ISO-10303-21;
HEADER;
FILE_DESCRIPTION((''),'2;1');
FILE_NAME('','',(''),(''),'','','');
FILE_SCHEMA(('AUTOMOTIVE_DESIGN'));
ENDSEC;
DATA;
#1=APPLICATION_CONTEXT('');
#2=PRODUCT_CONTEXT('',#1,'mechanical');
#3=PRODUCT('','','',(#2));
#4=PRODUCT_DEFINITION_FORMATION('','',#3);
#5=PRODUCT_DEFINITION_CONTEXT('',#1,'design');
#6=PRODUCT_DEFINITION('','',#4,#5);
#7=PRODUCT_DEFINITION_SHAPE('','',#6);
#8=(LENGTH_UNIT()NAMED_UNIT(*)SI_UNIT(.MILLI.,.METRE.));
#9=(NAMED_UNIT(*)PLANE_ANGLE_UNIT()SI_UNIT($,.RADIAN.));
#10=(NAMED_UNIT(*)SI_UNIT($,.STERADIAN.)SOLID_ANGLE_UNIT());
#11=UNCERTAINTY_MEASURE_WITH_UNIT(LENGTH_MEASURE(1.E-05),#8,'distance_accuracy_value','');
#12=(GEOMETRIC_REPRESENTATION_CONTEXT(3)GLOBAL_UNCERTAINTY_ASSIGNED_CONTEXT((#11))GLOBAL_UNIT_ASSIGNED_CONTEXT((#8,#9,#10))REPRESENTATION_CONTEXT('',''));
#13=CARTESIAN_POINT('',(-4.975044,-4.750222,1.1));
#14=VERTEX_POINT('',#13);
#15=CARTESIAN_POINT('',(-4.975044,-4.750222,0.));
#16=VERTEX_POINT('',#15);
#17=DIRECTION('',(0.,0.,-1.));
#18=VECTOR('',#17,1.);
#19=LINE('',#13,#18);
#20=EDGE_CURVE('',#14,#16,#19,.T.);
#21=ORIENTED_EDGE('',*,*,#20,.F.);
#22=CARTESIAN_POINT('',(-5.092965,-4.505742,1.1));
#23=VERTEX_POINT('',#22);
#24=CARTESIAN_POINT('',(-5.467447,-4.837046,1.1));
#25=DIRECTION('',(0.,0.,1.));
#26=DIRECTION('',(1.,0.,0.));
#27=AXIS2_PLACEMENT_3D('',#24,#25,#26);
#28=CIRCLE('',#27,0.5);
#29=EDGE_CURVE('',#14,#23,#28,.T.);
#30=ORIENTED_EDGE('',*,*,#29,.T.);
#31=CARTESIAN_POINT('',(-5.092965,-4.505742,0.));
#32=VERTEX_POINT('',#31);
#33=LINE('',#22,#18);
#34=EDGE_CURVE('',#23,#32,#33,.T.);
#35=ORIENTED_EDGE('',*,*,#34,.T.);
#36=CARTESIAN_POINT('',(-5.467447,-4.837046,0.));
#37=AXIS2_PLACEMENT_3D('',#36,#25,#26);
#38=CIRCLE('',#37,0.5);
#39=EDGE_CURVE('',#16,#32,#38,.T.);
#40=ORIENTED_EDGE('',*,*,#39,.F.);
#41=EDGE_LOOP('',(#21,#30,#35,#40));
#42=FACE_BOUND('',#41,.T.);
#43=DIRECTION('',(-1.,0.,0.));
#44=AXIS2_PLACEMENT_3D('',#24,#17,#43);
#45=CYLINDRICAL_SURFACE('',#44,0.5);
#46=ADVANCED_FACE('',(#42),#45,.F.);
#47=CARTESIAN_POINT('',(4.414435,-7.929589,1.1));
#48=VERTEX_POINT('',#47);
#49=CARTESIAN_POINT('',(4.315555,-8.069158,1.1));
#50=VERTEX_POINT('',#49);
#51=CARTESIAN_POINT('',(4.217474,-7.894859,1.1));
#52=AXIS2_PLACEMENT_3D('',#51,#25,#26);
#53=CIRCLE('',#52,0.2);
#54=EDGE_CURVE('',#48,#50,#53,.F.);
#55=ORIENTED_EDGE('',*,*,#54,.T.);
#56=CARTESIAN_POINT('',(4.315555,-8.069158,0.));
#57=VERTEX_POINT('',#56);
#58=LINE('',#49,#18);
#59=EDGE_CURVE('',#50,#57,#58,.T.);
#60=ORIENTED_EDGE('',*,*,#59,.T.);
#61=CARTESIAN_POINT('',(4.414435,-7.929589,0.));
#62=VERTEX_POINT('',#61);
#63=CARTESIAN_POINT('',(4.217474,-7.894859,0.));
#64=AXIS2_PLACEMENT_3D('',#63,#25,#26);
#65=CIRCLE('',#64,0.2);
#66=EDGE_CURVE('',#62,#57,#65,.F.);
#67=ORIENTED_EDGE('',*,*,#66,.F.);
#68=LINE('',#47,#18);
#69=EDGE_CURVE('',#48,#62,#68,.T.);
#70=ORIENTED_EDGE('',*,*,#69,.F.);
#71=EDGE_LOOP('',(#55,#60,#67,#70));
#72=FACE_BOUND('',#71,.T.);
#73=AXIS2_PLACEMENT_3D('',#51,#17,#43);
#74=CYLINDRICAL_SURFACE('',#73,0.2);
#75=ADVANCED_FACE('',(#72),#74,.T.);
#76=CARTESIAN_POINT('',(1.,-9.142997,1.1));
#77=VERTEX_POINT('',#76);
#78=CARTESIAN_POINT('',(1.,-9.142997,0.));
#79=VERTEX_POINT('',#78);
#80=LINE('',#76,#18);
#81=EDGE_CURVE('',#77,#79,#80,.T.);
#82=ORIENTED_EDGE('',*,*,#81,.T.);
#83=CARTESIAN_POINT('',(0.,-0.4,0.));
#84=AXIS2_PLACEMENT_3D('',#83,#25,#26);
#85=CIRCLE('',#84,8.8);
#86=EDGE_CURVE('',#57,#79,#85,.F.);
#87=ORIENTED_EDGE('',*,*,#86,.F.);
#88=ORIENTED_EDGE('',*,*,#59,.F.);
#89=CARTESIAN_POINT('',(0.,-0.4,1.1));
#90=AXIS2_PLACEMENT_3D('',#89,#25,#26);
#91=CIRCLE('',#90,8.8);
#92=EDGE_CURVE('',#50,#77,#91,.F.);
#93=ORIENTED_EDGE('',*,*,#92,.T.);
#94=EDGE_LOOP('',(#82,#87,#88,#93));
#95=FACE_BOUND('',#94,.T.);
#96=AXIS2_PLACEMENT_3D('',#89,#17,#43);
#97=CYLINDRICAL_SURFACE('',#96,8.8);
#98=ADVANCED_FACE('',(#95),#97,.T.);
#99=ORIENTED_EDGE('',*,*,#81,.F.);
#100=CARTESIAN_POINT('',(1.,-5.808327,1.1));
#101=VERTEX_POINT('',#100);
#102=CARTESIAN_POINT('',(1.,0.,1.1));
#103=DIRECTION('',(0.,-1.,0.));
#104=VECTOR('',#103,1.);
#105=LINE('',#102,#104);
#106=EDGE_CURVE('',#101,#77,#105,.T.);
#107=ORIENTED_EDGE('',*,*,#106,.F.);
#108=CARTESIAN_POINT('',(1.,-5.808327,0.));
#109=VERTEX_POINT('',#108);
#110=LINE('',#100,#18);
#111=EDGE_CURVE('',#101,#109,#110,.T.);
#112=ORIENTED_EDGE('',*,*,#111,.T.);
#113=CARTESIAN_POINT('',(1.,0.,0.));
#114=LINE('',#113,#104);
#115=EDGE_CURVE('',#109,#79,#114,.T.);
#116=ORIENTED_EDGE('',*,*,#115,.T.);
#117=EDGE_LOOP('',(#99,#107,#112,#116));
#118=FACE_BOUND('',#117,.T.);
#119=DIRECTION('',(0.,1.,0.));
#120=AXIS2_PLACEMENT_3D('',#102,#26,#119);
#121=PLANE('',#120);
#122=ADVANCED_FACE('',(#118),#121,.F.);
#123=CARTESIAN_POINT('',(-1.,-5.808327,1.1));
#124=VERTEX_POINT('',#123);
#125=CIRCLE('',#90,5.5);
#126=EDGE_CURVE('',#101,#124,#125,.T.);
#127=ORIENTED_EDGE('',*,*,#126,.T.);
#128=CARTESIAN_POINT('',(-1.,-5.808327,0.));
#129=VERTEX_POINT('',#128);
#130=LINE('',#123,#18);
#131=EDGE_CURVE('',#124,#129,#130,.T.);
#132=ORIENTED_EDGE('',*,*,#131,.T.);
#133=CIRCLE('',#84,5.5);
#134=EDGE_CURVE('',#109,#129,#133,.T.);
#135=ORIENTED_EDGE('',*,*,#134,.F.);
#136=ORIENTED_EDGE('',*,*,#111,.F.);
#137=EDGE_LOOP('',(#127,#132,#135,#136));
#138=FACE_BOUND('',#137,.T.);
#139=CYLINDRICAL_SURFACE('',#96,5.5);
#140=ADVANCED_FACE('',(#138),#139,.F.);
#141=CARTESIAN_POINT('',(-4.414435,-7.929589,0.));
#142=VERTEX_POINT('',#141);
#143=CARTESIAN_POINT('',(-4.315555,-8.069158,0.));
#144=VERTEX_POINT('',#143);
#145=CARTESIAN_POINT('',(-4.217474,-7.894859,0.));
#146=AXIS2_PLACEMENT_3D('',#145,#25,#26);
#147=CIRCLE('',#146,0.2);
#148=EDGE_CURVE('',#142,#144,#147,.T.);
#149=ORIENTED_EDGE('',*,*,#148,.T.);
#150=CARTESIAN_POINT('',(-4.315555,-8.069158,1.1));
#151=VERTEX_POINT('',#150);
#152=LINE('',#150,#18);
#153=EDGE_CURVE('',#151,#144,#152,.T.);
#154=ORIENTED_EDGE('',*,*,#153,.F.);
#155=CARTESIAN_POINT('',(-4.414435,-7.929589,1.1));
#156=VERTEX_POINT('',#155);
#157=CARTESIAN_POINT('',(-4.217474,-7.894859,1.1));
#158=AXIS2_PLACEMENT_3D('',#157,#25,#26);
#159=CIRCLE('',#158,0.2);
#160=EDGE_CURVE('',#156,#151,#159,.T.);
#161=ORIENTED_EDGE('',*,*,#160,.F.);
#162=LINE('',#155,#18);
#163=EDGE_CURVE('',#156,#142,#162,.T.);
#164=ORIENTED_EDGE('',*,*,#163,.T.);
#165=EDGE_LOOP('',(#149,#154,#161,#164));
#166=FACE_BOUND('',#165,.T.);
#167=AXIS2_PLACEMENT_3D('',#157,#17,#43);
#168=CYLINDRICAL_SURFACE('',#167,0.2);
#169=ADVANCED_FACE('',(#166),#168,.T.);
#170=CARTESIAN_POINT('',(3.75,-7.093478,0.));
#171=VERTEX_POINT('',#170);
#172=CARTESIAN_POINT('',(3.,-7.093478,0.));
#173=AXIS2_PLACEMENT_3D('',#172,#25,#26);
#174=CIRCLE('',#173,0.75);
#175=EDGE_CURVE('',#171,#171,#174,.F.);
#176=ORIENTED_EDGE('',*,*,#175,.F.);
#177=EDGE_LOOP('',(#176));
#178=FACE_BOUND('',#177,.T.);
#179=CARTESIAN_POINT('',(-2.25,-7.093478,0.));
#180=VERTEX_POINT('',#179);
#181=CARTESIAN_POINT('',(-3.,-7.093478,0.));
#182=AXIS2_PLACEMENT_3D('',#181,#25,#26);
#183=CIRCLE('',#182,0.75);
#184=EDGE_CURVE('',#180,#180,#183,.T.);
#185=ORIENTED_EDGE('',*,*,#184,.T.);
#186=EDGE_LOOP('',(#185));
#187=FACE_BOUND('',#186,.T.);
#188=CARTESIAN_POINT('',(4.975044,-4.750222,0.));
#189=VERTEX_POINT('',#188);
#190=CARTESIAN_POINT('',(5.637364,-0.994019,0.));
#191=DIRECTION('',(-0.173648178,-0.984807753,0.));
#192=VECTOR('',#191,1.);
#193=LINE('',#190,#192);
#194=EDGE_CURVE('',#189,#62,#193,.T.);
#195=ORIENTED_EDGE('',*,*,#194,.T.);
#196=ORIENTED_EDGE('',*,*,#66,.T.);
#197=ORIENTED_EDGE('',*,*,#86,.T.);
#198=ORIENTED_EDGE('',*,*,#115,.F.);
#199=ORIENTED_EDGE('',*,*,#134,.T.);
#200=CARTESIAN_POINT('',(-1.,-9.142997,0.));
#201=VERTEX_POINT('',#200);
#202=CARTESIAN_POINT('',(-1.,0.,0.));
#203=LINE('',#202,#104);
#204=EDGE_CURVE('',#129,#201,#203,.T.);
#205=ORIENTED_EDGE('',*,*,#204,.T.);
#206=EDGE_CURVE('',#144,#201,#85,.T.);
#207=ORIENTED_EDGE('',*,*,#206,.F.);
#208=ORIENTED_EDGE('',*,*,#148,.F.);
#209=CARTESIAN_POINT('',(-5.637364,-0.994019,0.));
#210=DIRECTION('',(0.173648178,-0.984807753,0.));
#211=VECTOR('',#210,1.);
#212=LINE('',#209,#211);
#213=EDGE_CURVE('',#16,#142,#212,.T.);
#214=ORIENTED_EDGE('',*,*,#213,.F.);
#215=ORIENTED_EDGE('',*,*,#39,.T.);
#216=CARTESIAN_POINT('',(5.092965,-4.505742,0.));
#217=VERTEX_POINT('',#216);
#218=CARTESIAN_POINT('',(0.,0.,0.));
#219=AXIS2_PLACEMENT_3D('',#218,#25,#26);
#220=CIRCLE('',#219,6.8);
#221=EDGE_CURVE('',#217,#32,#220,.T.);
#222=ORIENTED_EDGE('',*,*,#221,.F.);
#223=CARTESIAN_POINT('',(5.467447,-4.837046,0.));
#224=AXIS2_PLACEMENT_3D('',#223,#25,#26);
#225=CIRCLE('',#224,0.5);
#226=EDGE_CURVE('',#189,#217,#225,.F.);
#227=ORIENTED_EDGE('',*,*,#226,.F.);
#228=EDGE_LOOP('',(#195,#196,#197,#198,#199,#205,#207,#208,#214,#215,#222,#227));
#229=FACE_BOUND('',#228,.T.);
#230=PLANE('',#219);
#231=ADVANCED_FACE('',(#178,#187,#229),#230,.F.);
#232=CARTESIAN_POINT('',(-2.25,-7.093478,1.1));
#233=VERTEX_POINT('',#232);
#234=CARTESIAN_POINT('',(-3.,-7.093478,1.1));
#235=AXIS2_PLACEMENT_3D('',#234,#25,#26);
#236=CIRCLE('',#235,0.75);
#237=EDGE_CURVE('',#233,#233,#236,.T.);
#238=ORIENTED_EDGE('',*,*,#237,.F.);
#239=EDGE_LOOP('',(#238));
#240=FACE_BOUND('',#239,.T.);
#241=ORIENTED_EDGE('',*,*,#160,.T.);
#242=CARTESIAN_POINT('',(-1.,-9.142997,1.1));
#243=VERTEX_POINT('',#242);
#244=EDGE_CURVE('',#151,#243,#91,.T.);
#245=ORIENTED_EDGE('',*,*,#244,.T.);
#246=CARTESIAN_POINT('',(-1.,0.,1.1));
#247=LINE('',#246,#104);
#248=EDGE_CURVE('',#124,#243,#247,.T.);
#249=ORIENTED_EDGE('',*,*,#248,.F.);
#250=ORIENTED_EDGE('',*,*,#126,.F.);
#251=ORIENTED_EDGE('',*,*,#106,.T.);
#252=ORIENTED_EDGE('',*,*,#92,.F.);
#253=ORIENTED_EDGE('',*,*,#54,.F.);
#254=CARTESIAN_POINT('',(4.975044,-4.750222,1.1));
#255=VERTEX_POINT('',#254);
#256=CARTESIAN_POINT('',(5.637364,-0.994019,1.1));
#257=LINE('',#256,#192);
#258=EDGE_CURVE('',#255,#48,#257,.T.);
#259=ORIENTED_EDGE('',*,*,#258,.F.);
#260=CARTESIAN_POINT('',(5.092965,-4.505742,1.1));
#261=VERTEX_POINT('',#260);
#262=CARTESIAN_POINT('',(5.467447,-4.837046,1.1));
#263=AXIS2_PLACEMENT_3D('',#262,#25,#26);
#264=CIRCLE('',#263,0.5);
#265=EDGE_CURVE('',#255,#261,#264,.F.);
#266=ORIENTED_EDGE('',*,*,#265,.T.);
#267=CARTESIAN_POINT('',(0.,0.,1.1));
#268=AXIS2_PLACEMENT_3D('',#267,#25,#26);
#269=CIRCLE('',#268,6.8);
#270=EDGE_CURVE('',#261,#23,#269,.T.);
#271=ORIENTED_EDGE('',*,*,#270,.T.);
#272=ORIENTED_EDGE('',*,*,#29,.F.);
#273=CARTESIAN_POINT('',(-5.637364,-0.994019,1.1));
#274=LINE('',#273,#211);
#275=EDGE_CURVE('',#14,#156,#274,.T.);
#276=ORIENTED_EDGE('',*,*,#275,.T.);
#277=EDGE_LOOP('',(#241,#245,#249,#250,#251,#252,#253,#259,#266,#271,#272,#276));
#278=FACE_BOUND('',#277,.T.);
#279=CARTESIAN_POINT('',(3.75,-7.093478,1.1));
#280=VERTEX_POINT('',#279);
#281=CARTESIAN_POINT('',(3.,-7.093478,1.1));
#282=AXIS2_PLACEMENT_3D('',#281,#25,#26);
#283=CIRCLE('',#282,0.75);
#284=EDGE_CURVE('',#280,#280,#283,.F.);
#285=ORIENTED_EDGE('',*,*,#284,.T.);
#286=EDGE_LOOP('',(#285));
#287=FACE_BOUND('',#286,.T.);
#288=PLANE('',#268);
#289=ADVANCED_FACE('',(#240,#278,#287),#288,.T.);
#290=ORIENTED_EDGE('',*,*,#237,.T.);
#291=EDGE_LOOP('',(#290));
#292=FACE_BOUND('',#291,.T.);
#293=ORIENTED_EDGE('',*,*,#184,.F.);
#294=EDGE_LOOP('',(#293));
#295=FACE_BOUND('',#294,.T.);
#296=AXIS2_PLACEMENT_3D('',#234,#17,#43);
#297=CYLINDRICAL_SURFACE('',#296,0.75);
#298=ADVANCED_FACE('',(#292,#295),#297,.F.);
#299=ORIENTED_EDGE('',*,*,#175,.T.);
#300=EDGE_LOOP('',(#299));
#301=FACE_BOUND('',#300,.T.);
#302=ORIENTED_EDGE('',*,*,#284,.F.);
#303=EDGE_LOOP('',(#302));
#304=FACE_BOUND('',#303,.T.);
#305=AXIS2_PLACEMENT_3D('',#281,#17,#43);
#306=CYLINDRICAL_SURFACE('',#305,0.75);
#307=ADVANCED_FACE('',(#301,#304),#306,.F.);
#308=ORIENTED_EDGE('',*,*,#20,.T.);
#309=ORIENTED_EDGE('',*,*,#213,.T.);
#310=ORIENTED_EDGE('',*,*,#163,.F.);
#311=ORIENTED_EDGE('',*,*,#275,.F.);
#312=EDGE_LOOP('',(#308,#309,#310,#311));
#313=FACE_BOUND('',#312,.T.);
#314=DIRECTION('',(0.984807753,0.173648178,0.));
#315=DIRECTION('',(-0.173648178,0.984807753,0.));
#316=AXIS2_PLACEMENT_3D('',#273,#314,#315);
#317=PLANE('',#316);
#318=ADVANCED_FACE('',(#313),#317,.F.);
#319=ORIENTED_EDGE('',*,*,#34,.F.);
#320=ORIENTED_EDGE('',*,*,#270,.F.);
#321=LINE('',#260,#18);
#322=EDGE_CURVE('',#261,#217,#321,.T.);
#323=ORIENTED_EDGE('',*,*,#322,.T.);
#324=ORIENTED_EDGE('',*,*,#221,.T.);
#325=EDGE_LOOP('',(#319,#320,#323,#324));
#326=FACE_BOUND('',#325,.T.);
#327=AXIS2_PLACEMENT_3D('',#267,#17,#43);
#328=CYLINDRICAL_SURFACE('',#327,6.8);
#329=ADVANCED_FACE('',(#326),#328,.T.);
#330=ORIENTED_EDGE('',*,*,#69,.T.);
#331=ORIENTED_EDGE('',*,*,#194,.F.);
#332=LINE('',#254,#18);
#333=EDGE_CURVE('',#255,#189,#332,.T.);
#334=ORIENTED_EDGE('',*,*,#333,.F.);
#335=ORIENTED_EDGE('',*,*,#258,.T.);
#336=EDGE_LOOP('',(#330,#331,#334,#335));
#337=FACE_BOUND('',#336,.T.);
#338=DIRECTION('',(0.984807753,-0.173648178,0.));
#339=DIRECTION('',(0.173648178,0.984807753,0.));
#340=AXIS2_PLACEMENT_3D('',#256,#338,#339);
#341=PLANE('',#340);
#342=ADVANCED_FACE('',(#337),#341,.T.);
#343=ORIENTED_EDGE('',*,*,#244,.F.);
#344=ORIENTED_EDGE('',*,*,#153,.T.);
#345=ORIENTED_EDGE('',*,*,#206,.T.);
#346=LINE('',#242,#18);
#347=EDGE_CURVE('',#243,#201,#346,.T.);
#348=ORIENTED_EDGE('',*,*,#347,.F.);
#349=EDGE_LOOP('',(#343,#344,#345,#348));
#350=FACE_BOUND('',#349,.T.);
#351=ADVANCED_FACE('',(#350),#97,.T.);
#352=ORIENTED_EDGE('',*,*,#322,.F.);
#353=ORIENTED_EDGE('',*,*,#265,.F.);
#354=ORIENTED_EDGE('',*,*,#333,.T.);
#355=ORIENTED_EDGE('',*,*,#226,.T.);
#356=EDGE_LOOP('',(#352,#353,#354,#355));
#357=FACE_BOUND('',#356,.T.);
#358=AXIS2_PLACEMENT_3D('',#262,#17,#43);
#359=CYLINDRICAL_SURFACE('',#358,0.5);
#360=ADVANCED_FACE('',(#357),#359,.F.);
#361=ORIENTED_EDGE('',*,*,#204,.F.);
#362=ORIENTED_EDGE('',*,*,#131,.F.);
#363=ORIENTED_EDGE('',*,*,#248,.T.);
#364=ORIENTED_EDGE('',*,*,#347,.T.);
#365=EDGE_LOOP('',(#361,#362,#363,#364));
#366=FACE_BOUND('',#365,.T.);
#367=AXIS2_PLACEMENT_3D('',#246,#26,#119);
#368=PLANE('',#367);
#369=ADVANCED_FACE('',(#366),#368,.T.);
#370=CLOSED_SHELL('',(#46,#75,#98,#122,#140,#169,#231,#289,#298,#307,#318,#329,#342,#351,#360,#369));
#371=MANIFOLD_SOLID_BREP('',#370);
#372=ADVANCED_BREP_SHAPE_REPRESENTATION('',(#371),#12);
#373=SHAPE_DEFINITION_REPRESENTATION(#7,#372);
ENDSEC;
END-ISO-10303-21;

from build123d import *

# Parameters (mm, degrees)
SKETCH_1_R      = 0.75
EXTRUDE_1_DEPTH = 1.1


with BuildPart() as part:
    # 草图1 → 凸台-拉伸1 (new body)
    with BuildSketch(Plane.XY):
        with BuildLine():
            Line((-1, -9.142997198), (-1, -5.808326913))
            ThreePointArc((-1, -5.808326913), (-3.51781182, 3.827883631), (5.5, -0.4))
            ThreePointArc((5.5, -0.4), (4.227883631, -3.91781182), (1, -5.808326913))
            Line((1, -5.808326913), (1, -9.142997198))
            ThreePointArc((1, -9.142997198), (2.711468806, -8.771853852), (4.315554735, -8.069158189))
            ThreePointArc((4.315554735, -8.069158189), (4.380668311, -8.010477473), (4.414435496, -7.929588775))
            Line((4.414435496, -7.929588775), (4.975043576, -4.75022236))
            ThreePointArc((4.975043576, -4.75022236), (5.017096746, -4.619827111), (5.092964751, -4.505741898))
            ThreePointArc((5.092964751, -4.505741898), (0, 6.8), (-5.092964751, -4.505741898))
            ThreePointArc((-5.092964751, -4.505741898), (-5.017096746, -4.619827111), (-4.975043576, -4.75022236))
            Line((-4.975043576, -4.75022236), (-4.414435496, -7.929588775))
            ThreePointArc((-4.414435496, -7.929588775), (-4.380668311, -8.010477473), (-4.315554735, -8.069158189))
            ThreePointArc((-4.315554735, -8.069158189), (-2.711468806, -8.771853852), (-1, -9.142997198))
        make_face()
        with Locations((-3, -7.093477568)):
            Circle(SKETCH_1_R, mode=Mode.SUBTRACT)
        with Locations((3, -7.093477568)):
            Circle(SKETCH_1_R, mode=Mode.SUBTRACT)
    extrude(amount=EXTRUDE_1_DEPTH)


solid = part.part
